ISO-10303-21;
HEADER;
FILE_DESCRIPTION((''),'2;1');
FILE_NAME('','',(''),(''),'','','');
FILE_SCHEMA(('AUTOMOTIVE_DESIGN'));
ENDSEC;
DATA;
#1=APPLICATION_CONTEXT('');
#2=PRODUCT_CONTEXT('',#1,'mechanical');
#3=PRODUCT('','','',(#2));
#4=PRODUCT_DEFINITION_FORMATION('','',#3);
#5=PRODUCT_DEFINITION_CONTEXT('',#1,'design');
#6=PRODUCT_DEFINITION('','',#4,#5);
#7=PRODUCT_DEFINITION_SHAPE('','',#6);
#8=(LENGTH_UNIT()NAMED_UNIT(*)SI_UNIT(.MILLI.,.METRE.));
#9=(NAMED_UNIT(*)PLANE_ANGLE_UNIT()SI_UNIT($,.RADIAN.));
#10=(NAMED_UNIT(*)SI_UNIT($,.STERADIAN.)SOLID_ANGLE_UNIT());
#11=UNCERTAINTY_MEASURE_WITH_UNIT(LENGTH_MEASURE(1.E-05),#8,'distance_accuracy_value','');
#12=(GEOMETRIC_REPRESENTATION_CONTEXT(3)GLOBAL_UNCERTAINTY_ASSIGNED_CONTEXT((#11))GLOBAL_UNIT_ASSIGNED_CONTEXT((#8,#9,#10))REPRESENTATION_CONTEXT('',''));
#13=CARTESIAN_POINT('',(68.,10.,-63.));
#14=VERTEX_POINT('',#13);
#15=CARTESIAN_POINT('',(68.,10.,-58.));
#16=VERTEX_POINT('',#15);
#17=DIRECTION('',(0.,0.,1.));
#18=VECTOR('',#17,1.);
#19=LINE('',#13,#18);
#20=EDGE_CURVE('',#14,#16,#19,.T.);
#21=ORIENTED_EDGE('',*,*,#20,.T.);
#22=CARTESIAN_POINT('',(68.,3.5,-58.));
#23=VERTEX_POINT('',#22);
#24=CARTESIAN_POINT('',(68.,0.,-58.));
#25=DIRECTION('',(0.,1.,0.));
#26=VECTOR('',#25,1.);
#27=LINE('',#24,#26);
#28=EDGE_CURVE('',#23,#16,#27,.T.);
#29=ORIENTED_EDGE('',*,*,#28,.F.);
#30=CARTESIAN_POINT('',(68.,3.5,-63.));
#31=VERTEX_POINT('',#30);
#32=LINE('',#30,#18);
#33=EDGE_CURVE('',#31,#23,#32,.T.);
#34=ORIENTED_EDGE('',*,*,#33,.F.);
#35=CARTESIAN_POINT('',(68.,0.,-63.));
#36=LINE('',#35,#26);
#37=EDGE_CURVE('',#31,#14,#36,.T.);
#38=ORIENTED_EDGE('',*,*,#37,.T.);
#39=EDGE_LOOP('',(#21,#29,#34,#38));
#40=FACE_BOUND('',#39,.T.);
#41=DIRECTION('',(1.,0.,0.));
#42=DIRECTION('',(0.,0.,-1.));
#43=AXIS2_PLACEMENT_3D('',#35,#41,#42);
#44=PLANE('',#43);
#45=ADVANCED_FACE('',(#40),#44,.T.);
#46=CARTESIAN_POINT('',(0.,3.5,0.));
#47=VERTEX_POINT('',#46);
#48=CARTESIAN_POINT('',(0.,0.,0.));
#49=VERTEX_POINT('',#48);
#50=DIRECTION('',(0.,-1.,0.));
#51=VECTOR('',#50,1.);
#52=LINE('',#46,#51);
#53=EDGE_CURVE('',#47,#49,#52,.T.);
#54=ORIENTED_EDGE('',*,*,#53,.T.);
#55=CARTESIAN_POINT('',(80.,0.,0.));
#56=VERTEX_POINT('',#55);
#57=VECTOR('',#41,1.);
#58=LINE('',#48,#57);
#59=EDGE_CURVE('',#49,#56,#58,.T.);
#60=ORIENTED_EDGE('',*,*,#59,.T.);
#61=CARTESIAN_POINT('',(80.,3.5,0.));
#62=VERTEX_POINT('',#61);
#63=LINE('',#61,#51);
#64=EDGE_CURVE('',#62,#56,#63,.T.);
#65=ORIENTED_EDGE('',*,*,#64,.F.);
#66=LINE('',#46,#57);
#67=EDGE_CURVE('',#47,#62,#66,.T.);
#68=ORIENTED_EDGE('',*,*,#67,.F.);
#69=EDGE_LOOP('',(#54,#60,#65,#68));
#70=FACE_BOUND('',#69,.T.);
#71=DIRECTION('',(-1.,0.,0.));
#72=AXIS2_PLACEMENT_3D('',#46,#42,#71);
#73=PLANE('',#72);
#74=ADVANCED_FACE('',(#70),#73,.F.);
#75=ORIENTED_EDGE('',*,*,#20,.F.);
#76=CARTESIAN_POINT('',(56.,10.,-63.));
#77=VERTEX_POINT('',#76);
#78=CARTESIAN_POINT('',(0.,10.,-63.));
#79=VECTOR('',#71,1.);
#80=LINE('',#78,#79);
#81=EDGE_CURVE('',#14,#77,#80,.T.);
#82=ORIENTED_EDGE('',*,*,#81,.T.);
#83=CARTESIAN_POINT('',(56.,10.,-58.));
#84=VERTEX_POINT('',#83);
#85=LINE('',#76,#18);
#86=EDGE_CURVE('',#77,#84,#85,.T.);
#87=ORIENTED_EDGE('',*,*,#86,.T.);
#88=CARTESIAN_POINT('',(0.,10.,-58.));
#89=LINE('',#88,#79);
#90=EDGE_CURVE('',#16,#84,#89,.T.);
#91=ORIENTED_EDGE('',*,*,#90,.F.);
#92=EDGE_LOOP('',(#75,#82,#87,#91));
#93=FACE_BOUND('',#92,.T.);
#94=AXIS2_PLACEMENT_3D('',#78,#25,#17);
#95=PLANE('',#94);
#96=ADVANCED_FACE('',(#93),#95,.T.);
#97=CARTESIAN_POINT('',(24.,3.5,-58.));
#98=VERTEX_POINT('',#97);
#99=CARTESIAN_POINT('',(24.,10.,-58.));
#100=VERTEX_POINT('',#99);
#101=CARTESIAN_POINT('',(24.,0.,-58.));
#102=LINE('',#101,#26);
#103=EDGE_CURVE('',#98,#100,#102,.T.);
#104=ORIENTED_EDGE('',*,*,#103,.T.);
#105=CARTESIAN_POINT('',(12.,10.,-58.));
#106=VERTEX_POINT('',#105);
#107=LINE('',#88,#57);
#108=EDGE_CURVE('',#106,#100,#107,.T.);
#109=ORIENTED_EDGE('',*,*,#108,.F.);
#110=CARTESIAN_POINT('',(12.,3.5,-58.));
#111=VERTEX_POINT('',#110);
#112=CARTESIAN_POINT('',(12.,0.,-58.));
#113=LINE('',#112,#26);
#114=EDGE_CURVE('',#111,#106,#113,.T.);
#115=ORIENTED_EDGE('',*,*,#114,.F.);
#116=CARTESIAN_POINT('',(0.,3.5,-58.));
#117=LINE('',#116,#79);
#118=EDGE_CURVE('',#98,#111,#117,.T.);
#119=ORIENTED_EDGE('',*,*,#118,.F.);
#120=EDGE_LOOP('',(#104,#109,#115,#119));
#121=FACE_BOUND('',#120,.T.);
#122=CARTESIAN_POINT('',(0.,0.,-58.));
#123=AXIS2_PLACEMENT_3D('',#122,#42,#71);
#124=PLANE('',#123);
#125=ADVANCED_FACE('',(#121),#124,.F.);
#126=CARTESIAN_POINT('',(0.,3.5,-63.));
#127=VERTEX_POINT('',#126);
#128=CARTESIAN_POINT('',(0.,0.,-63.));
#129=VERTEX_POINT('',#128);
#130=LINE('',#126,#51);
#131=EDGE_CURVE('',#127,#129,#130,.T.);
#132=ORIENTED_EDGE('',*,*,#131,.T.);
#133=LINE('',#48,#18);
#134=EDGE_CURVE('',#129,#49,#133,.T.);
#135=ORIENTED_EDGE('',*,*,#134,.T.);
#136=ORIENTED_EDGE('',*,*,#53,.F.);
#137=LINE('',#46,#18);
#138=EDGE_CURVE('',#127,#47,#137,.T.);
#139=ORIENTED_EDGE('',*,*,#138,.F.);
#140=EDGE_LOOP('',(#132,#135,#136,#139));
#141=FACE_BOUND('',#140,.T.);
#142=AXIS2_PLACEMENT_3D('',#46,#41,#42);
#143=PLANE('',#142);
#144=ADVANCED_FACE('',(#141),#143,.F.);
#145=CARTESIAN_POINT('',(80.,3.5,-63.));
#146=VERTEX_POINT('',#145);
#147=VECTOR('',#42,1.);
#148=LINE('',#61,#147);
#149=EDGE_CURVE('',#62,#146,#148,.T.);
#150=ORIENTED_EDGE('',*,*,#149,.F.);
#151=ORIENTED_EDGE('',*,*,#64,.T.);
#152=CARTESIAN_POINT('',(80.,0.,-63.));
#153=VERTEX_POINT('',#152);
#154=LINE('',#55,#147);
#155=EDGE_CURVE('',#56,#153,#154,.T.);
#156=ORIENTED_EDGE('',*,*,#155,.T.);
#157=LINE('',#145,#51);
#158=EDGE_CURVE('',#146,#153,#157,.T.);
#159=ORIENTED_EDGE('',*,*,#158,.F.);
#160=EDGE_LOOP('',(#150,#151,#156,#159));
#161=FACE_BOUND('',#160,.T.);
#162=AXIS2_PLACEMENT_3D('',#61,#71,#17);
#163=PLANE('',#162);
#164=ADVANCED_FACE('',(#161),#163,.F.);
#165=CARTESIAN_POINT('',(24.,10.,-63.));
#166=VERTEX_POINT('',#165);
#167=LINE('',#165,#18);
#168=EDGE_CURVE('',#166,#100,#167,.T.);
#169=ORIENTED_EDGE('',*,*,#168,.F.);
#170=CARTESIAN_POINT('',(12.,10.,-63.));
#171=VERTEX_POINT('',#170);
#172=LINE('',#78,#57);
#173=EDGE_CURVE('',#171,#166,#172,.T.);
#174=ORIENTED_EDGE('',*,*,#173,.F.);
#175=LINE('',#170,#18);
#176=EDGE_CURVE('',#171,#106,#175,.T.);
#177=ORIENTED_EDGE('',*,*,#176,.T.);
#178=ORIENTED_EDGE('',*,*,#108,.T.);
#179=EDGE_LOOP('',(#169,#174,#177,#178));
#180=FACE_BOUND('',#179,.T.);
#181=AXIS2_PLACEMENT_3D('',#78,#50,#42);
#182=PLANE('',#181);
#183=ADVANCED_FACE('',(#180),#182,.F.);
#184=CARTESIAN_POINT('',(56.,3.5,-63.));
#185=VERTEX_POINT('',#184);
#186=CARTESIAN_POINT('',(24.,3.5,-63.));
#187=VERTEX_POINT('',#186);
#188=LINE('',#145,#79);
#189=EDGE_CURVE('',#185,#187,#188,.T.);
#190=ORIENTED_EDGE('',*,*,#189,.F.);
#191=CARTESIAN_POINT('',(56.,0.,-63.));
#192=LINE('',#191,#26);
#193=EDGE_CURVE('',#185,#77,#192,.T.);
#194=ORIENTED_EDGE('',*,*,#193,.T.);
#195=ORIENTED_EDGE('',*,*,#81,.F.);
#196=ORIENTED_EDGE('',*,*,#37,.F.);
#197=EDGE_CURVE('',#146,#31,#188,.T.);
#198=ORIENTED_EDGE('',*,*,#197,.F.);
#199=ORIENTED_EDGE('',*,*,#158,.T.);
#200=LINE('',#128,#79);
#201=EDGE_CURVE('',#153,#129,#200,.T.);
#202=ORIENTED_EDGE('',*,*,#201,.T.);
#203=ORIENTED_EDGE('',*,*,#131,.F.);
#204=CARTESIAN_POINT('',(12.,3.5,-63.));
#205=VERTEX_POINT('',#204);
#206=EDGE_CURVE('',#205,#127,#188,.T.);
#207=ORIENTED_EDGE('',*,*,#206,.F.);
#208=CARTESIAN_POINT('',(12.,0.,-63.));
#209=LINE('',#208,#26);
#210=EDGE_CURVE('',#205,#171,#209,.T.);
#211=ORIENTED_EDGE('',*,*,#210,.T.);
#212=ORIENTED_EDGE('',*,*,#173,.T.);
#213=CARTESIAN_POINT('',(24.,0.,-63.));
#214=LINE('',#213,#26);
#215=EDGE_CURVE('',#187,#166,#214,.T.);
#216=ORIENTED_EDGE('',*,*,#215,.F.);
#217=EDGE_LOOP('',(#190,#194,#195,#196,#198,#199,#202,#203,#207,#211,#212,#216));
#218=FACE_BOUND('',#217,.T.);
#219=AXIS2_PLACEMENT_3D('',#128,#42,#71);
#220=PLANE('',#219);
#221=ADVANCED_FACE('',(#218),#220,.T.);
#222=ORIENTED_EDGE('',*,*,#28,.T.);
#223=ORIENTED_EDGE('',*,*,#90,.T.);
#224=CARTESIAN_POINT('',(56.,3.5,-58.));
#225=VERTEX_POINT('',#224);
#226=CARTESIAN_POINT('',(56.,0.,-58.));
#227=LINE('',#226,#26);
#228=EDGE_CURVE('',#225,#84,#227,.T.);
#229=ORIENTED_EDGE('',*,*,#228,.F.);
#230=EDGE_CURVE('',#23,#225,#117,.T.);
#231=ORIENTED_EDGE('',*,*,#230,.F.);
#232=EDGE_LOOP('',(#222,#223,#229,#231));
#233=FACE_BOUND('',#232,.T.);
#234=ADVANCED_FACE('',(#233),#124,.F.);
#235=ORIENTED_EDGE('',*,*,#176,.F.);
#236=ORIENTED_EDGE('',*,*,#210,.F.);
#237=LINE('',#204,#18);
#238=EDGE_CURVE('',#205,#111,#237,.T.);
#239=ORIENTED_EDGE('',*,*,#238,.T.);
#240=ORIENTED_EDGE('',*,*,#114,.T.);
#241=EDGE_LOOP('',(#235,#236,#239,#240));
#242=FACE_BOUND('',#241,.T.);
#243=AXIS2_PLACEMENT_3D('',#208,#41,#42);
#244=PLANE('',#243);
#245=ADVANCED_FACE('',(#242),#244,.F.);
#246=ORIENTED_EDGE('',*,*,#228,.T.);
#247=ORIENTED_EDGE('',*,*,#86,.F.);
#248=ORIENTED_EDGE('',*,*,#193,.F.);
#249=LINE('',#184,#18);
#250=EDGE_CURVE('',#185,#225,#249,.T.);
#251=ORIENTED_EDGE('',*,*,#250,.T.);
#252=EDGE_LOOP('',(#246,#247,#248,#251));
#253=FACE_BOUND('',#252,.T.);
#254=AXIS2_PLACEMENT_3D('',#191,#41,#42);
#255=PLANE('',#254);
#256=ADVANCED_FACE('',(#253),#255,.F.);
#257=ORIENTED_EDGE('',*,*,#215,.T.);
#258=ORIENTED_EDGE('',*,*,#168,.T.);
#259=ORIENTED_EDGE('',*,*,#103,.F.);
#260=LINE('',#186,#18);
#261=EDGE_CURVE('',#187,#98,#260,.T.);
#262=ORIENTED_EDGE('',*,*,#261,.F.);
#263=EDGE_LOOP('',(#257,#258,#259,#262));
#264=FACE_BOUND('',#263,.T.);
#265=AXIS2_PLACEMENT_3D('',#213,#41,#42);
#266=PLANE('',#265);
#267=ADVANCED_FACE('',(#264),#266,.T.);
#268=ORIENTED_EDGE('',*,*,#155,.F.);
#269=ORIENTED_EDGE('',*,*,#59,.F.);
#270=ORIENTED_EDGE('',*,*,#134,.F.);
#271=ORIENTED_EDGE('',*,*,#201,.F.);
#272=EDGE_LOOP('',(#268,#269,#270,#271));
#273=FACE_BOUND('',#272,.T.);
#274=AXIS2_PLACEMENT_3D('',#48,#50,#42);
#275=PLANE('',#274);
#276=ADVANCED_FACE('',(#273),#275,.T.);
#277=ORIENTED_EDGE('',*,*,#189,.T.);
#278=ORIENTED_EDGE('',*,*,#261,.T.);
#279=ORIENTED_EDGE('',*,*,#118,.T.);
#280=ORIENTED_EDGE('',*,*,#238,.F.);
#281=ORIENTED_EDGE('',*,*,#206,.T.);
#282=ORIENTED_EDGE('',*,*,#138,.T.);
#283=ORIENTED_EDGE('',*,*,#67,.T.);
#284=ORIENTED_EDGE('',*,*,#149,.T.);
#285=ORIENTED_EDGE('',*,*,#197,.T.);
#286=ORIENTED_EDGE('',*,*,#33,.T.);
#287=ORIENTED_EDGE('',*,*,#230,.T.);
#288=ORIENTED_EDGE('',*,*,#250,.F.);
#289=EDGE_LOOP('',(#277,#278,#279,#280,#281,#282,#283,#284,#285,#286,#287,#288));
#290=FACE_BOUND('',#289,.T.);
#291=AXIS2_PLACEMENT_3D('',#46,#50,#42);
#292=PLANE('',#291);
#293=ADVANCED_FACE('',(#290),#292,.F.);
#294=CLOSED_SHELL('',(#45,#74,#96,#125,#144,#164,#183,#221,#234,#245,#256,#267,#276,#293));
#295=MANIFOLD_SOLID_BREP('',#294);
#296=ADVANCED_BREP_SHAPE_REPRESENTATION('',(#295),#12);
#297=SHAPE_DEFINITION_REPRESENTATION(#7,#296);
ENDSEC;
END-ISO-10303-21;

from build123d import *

# Parameters (mm, degrees)
SKETCH1_W           = 80
SKETCH1_H           = 58
BOSS_EXTRUDE1_DEPTH = 3.5
BOSS_EXTRUDE2_DEPTH = 5


with BuildPart() as part:
    # Sketch1 → Boss-Extrude1 (new body)
    with BuildSketch(Plane(origin=(0, 0, 0), x_dir=(1, 0, 0), z_dir=(0, 1, 0))):
        with Locations((40, 29)):
            Rectangle(SKETCH1_W, SKETCH1_H)
    extrude(amount=BOSS_EXTRUDE1_DEPTH)

    # Sketch2 → Boss-Extrude2 (add)
    with BuildSketch(Plane(origin=(0, 0, -58), x_dir=(-1, 0, 0), z_dir=(0, 0, -1))):
        Polygon((-68, 3.5), (-80, 3.5), (-80, 0), (0, 0), (0, 3.5), (-12, 3.5), (-12, 10), (-24, 10), (-24, 3.5), (-56, 3.5), (-56, 10), (-68, 10), align=None)
    extrude(amount=BOSS_EXTRUDE2_DEPTH)


solid = part.part
